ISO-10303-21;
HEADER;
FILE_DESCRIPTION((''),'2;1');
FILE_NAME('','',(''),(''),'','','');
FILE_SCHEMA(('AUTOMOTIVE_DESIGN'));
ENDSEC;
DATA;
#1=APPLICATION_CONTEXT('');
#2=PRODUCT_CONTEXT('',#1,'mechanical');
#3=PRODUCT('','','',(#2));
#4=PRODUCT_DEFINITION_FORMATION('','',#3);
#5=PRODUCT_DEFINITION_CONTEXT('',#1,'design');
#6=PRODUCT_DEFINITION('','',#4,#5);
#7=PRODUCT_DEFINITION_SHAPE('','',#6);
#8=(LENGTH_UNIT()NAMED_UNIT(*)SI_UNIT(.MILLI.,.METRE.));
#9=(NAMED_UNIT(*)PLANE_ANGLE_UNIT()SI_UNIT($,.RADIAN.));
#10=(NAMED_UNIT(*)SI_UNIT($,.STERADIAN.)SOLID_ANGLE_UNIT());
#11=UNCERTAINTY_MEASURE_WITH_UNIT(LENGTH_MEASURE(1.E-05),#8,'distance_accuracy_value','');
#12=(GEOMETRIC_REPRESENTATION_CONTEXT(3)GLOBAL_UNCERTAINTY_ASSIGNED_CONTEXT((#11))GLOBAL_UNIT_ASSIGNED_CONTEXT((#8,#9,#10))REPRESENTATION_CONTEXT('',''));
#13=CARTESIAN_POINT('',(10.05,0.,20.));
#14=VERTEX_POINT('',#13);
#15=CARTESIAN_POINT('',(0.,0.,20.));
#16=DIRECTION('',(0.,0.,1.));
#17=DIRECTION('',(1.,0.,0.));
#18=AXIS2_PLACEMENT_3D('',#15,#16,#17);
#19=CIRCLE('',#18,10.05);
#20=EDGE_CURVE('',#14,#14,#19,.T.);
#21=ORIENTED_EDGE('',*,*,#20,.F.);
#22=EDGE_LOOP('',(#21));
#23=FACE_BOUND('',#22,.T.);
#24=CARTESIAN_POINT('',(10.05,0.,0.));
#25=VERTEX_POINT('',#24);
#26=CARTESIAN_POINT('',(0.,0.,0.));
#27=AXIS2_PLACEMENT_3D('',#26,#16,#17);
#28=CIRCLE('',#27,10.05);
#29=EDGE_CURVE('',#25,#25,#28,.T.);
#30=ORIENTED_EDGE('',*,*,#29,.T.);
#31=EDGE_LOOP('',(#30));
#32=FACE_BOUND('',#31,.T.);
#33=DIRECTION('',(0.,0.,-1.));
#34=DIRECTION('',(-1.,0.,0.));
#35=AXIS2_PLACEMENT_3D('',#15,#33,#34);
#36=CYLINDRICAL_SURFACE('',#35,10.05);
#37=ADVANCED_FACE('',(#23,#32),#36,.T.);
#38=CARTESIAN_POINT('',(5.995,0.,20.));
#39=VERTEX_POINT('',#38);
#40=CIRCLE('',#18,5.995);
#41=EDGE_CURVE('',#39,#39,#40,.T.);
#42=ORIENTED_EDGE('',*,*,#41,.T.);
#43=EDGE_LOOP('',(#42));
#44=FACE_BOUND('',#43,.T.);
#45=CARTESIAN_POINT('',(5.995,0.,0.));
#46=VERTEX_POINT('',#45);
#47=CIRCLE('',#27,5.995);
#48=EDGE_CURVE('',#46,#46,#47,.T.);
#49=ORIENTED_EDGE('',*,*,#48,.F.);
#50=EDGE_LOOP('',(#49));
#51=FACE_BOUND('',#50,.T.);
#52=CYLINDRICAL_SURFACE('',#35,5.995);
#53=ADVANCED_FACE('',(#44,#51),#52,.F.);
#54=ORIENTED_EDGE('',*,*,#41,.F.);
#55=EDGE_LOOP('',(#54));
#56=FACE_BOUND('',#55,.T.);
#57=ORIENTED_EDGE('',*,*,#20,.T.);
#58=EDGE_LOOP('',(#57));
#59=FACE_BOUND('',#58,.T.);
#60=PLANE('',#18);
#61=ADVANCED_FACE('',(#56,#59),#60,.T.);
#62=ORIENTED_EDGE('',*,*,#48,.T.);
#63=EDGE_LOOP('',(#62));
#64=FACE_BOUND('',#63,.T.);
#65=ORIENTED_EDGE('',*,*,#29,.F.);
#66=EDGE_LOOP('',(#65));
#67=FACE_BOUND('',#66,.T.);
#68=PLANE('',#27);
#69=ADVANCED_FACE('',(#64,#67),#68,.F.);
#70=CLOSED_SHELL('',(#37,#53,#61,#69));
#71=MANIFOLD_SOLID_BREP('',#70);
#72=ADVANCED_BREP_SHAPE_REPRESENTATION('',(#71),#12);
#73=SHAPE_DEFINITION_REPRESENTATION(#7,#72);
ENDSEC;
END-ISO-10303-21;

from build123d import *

# Parameters (mm, degrees)
SKETCH1_R           = 10.05
SKETCH1_R_2         = 5.995
BOSS_EXTRUDE1_DEPTH = 20


with BuildPart() as part:
    # Sketch1 → Boss-Extrude1 (new body)
    with BuildSketch(Plane.XY):
        Circle(SKETCH1_R)
        Circle(SKETCH1_R_2, mode=Mode.SUBTRACT)
    extrude(amount=BOSS_EXTRUDE1_DEPTH)


solid = part.part
